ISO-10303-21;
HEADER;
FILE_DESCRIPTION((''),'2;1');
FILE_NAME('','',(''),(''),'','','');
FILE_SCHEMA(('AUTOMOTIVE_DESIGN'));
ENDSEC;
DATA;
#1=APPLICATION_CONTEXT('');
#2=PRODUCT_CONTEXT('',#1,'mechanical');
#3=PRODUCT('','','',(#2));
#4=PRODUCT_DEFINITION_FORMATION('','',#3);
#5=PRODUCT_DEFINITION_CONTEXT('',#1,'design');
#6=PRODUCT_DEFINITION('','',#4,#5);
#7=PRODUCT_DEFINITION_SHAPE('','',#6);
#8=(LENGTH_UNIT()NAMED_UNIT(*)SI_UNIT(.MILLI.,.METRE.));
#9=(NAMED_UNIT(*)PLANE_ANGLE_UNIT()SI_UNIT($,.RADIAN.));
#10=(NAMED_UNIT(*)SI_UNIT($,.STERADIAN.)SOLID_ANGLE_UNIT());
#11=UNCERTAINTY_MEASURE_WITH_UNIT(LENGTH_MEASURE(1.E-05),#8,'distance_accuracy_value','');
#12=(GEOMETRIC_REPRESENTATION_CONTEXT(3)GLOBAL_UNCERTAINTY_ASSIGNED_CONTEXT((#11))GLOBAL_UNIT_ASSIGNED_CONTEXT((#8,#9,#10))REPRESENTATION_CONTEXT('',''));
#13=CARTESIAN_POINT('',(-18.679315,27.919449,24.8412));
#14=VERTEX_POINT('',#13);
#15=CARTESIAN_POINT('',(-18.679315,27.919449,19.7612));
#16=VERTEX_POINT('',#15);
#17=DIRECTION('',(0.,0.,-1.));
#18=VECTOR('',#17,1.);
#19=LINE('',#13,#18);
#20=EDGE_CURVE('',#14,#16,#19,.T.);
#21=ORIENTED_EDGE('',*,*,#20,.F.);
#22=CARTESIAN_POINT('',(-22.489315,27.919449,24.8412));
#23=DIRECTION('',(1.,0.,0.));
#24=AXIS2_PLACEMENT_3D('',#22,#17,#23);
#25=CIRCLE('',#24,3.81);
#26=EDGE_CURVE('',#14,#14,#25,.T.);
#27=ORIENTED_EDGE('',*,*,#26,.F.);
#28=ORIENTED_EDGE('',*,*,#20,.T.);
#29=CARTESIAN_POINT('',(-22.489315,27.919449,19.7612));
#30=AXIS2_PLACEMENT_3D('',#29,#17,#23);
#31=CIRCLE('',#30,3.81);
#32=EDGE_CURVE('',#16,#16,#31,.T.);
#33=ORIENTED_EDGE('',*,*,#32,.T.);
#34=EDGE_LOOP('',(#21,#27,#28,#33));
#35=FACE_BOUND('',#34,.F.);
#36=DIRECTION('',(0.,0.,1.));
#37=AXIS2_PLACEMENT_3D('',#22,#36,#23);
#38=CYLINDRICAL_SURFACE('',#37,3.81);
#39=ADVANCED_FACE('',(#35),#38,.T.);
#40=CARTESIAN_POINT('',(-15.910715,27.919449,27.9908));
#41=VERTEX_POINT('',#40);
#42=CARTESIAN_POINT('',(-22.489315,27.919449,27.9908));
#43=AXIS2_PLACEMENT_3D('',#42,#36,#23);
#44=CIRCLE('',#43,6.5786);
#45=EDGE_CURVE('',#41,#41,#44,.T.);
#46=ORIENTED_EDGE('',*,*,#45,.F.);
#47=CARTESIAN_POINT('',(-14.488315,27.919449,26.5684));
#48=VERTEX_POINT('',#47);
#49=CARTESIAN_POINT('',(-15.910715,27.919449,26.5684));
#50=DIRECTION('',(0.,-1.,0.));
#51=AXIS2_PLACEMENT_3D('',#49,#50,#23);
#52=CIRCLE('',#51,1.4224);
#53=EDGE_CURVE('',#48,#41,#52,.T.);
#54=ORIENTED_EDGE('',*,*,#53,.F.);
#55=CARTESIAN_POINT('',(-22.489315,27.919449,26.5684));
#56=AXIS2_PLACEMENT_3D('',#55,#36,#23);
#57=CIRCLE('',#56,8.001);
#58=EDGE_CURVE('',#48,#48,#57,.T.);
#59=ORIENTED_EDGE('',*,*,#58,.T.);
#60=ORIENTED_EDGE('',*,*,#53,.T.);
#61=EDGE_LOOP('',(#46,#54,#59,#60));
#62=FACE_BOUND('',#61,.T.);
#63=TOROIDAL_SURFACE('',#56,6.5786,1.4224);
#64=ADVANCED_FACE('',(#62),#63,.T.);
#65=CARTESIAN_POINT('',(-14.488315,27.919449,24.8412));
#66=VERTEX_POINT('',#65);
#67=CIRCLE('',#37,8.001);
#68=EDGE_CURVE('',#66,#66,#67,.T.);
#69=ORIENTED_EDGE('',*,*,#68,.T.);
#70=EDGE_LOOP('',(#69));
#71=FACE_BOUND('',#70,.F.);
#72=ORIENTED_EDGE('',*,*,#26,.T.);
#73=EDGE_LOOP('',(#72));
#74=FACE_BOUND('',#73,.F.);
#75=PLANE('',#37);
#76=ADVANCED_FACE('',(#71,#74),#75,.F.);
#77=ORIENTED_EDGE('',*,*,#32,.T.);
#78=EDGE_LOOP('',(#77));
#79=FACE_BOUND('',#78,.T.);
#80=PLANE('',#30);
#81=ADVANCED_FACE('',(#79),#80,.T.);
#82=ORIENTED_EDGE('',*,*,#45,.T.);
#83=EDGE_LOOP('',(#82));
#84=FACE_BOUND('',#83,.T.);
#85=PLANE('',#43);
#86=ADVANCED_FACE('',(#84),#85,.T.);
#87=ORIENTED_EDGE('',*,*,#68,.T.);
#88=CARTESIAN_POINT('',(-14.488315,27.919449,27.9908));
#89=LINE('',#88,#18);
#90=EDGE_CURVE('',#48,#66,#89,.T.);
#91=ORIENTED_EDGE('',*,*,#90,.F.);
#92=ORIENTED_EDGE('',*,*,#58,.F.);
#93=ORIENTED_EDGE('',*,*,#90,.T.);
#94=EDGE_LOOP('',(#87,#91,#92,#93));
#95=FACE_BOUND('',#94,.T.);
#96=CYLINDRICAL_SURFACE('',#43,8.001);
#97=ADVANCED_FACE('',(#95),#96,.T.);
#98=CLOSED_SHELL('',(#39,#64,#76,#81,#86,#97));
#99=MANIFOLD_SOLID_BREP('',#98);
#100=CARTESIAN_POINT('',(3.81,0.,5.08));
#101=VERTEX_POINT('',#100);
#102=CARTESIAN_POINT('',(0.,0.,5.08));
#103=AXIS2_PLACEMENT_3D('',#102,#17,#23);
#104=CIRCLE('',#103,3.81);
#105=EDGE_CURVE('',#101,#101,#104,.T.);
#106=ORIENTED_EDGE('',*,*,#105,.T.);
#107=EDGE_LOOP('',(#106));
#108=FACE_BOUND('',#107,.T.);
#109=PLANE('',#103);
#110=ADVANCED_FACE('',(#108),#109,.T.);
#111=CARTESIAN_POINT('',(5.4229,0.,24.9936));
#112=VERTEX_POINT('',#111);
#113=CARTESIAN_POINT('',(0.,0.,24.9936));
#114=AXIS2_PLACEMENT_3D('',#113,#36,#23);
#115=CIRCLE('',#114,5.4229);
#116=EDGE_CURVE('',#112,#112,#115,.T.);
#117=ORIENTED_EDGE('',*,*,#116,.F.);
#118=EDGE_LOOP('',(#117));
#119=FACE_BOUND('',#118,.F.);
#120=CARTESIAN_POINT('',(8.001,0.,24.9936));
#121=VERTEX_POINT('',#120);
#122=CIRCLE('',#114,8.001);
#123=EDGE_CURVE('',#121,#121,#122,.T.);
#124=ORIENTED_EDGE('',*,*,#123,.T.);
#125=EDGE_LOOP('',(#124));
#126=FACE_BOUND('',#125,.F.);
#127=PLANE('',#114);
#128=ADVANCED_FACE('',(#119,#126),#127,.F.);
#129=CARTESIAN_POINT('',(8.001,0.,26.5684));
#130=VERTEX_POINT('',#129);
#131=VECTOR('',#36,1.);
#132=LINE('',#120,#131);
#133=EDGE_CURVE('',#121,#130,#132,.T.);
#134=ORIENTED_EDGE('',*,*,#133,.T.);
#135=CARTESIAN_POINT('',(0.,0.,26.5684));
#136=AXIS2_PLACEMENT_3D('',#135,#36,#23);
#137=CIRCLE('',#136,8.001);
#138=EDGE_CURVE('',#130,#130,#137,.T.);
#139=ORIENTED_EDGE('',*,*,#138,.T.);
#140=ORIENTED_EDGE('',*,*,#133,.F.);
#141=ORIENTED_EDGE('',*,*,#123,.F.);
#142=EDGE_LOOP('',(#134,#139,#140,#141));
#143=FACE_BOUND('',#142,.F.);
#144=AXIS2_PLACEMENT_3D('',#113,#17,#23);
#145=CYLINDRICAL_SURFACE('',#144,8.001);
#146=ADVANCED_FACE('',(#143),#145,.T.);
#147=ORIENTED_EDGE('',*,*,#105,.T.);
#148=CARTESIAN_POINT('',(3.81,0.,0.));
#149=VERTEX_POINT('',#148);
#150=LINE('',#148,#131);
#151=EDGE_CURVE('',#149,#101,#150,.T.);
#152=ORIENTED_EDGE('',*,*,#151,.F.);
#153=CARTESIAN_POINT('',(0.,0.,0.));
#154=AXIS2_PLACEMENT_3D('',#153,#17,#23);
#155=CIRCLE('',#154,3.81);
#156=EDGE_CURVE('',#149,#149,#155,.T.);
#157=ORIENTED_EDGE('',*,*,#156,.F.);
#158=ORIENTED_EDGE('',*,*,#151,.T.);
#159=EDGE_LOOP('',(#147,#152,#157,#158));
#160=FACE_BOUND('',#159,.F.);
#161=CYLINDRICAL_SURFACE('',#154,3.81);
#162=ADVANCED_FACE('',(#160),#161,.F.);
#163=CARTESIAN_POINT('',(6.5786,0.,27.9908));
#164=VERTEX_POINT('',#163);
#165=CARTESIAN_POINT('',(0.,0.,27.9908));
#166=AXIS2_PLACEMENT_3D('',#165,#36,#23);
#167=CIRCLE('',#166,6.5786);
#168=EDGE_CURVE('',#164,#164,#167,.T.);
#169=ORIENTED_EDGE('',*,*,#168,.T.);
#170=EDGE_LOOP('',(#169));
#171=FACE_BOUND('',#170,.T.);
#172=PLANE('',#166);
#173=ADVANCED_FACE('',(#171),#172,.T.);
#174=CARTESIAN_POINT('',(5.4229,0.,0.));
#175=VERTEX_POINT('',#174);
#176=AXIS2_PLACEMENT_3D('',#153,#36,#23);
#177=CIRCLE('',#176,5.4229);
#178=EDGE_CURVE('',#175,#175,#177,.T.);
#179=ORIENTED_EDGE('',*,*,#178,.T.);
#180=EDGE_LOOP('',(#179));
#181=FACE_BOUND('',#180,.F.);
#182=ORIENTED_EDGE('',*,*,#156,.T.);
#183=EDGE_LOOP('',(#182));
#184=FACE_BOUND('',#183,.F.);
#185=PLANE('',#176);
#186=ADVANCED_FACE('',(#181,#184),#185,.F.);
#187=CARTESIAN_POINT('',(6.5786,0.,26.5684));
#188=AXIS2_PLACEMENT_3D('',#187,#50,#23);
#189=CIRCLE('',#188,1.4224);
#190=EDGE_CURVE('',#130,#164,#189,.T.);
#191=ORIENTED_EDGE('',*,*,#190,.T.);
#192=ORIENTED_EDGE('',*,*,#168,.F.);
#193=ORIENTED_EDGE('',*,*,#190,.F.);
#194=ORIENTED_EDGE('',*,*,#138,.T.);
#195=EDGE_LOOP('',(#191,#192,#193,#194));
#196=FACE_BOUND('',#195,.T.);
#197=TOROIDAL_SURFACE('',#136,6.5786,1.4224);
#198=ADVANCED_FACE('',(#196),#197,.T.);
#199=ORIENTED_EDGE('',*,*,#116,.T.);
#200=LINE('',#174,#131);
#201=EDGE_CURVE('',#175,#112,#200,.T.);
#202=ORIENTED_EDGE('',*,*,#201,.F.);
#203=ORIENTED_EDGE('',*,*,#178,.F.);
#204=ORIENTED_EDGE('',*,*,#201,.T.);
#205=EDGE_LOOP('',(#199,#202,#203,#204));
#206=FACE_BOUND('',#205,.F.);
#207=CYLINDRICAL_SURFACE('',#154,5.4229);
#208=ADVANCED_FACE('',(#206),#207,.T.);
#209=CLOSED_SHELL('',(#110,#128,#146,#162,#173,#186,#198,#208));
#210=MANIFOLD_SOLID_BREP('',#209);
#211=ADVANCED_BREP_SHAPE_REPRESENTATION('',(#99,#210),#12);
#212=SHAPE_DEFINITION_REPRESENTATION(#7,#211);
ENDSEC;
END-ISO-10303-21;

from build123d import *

# Parameters (mm, degrees)
F0_R      = 5.4229
F1_DEPTH  = 24.9936
F2_R      = 8.001
F3_DEPTH  = 2.9972
F4_R      = 1.4224
F6_R      = 3.81
F7_DEPTH  = 5.08
F8_R      = 8.001
F9_DEPTH  = 3.1496
F10_R     = 3.81
F11_DEPTH = 5.08
F12_R     = 1.4224


with BuildPart() as f1:
    # F0 (on Top) → F1 (new body)
    with BuildSketch(Plane.XY):
        Circle(F0_R)
    extrude(amount=F1_DEPTH)

    # F2 (on face) → F3 (join)
    with BuildSketch(Plane.XY.offset(24.9936)):
        Circle(F2_R)
    extrude(amount=F3_DEPTH)

    # F4
    f4_edges = [f1.edges().sort_by_distance(p)[0] for p in [
        (-8.001, 0, 27.9908),
    ]]
    fillet(f4_edges, radius=F4_R)

    # F6 (on face) → F7 (cut)
    with BuildSketch(Plane(origin=(0, 0, 0), x_dir=(1, 0, 0), z_dir=(0, 0, -1))):
        Circle(F6_R)
    extrude(amount=-F7_DEPTH, mode=Mode.SUBTRACT)


with BuildPart() as f9:
    # F8 (on offset) → F9 (new body)
    with BuildSketch(Plane.XY.offset(27.9908)):
        with Locations((-22.489315, 27.919449)):
            Circle(F8_R)
    extrude(amount=-F9_DEPTH)

    # F10 (on face) → F11 (join)
    with BuildSketch(Plane(origin=(0, 0, 24.8412), x_dir=(1, 0, 0), z_dir=(0, 0, -1))):
        with Locations((-22.489315, -27.919449)):
            Circle(F10_R)
    extrude(amount=F11_DEPTH)

    # F12
    f12_edges = [f9.edges().sort_by_distance(p)[0] for p in [
        (-30.490315, 27.919449, 27.9908),
    ]]
    fillet(f12_edges, radius=F12_R)


solid = Compound([f1.part, f9.part])
